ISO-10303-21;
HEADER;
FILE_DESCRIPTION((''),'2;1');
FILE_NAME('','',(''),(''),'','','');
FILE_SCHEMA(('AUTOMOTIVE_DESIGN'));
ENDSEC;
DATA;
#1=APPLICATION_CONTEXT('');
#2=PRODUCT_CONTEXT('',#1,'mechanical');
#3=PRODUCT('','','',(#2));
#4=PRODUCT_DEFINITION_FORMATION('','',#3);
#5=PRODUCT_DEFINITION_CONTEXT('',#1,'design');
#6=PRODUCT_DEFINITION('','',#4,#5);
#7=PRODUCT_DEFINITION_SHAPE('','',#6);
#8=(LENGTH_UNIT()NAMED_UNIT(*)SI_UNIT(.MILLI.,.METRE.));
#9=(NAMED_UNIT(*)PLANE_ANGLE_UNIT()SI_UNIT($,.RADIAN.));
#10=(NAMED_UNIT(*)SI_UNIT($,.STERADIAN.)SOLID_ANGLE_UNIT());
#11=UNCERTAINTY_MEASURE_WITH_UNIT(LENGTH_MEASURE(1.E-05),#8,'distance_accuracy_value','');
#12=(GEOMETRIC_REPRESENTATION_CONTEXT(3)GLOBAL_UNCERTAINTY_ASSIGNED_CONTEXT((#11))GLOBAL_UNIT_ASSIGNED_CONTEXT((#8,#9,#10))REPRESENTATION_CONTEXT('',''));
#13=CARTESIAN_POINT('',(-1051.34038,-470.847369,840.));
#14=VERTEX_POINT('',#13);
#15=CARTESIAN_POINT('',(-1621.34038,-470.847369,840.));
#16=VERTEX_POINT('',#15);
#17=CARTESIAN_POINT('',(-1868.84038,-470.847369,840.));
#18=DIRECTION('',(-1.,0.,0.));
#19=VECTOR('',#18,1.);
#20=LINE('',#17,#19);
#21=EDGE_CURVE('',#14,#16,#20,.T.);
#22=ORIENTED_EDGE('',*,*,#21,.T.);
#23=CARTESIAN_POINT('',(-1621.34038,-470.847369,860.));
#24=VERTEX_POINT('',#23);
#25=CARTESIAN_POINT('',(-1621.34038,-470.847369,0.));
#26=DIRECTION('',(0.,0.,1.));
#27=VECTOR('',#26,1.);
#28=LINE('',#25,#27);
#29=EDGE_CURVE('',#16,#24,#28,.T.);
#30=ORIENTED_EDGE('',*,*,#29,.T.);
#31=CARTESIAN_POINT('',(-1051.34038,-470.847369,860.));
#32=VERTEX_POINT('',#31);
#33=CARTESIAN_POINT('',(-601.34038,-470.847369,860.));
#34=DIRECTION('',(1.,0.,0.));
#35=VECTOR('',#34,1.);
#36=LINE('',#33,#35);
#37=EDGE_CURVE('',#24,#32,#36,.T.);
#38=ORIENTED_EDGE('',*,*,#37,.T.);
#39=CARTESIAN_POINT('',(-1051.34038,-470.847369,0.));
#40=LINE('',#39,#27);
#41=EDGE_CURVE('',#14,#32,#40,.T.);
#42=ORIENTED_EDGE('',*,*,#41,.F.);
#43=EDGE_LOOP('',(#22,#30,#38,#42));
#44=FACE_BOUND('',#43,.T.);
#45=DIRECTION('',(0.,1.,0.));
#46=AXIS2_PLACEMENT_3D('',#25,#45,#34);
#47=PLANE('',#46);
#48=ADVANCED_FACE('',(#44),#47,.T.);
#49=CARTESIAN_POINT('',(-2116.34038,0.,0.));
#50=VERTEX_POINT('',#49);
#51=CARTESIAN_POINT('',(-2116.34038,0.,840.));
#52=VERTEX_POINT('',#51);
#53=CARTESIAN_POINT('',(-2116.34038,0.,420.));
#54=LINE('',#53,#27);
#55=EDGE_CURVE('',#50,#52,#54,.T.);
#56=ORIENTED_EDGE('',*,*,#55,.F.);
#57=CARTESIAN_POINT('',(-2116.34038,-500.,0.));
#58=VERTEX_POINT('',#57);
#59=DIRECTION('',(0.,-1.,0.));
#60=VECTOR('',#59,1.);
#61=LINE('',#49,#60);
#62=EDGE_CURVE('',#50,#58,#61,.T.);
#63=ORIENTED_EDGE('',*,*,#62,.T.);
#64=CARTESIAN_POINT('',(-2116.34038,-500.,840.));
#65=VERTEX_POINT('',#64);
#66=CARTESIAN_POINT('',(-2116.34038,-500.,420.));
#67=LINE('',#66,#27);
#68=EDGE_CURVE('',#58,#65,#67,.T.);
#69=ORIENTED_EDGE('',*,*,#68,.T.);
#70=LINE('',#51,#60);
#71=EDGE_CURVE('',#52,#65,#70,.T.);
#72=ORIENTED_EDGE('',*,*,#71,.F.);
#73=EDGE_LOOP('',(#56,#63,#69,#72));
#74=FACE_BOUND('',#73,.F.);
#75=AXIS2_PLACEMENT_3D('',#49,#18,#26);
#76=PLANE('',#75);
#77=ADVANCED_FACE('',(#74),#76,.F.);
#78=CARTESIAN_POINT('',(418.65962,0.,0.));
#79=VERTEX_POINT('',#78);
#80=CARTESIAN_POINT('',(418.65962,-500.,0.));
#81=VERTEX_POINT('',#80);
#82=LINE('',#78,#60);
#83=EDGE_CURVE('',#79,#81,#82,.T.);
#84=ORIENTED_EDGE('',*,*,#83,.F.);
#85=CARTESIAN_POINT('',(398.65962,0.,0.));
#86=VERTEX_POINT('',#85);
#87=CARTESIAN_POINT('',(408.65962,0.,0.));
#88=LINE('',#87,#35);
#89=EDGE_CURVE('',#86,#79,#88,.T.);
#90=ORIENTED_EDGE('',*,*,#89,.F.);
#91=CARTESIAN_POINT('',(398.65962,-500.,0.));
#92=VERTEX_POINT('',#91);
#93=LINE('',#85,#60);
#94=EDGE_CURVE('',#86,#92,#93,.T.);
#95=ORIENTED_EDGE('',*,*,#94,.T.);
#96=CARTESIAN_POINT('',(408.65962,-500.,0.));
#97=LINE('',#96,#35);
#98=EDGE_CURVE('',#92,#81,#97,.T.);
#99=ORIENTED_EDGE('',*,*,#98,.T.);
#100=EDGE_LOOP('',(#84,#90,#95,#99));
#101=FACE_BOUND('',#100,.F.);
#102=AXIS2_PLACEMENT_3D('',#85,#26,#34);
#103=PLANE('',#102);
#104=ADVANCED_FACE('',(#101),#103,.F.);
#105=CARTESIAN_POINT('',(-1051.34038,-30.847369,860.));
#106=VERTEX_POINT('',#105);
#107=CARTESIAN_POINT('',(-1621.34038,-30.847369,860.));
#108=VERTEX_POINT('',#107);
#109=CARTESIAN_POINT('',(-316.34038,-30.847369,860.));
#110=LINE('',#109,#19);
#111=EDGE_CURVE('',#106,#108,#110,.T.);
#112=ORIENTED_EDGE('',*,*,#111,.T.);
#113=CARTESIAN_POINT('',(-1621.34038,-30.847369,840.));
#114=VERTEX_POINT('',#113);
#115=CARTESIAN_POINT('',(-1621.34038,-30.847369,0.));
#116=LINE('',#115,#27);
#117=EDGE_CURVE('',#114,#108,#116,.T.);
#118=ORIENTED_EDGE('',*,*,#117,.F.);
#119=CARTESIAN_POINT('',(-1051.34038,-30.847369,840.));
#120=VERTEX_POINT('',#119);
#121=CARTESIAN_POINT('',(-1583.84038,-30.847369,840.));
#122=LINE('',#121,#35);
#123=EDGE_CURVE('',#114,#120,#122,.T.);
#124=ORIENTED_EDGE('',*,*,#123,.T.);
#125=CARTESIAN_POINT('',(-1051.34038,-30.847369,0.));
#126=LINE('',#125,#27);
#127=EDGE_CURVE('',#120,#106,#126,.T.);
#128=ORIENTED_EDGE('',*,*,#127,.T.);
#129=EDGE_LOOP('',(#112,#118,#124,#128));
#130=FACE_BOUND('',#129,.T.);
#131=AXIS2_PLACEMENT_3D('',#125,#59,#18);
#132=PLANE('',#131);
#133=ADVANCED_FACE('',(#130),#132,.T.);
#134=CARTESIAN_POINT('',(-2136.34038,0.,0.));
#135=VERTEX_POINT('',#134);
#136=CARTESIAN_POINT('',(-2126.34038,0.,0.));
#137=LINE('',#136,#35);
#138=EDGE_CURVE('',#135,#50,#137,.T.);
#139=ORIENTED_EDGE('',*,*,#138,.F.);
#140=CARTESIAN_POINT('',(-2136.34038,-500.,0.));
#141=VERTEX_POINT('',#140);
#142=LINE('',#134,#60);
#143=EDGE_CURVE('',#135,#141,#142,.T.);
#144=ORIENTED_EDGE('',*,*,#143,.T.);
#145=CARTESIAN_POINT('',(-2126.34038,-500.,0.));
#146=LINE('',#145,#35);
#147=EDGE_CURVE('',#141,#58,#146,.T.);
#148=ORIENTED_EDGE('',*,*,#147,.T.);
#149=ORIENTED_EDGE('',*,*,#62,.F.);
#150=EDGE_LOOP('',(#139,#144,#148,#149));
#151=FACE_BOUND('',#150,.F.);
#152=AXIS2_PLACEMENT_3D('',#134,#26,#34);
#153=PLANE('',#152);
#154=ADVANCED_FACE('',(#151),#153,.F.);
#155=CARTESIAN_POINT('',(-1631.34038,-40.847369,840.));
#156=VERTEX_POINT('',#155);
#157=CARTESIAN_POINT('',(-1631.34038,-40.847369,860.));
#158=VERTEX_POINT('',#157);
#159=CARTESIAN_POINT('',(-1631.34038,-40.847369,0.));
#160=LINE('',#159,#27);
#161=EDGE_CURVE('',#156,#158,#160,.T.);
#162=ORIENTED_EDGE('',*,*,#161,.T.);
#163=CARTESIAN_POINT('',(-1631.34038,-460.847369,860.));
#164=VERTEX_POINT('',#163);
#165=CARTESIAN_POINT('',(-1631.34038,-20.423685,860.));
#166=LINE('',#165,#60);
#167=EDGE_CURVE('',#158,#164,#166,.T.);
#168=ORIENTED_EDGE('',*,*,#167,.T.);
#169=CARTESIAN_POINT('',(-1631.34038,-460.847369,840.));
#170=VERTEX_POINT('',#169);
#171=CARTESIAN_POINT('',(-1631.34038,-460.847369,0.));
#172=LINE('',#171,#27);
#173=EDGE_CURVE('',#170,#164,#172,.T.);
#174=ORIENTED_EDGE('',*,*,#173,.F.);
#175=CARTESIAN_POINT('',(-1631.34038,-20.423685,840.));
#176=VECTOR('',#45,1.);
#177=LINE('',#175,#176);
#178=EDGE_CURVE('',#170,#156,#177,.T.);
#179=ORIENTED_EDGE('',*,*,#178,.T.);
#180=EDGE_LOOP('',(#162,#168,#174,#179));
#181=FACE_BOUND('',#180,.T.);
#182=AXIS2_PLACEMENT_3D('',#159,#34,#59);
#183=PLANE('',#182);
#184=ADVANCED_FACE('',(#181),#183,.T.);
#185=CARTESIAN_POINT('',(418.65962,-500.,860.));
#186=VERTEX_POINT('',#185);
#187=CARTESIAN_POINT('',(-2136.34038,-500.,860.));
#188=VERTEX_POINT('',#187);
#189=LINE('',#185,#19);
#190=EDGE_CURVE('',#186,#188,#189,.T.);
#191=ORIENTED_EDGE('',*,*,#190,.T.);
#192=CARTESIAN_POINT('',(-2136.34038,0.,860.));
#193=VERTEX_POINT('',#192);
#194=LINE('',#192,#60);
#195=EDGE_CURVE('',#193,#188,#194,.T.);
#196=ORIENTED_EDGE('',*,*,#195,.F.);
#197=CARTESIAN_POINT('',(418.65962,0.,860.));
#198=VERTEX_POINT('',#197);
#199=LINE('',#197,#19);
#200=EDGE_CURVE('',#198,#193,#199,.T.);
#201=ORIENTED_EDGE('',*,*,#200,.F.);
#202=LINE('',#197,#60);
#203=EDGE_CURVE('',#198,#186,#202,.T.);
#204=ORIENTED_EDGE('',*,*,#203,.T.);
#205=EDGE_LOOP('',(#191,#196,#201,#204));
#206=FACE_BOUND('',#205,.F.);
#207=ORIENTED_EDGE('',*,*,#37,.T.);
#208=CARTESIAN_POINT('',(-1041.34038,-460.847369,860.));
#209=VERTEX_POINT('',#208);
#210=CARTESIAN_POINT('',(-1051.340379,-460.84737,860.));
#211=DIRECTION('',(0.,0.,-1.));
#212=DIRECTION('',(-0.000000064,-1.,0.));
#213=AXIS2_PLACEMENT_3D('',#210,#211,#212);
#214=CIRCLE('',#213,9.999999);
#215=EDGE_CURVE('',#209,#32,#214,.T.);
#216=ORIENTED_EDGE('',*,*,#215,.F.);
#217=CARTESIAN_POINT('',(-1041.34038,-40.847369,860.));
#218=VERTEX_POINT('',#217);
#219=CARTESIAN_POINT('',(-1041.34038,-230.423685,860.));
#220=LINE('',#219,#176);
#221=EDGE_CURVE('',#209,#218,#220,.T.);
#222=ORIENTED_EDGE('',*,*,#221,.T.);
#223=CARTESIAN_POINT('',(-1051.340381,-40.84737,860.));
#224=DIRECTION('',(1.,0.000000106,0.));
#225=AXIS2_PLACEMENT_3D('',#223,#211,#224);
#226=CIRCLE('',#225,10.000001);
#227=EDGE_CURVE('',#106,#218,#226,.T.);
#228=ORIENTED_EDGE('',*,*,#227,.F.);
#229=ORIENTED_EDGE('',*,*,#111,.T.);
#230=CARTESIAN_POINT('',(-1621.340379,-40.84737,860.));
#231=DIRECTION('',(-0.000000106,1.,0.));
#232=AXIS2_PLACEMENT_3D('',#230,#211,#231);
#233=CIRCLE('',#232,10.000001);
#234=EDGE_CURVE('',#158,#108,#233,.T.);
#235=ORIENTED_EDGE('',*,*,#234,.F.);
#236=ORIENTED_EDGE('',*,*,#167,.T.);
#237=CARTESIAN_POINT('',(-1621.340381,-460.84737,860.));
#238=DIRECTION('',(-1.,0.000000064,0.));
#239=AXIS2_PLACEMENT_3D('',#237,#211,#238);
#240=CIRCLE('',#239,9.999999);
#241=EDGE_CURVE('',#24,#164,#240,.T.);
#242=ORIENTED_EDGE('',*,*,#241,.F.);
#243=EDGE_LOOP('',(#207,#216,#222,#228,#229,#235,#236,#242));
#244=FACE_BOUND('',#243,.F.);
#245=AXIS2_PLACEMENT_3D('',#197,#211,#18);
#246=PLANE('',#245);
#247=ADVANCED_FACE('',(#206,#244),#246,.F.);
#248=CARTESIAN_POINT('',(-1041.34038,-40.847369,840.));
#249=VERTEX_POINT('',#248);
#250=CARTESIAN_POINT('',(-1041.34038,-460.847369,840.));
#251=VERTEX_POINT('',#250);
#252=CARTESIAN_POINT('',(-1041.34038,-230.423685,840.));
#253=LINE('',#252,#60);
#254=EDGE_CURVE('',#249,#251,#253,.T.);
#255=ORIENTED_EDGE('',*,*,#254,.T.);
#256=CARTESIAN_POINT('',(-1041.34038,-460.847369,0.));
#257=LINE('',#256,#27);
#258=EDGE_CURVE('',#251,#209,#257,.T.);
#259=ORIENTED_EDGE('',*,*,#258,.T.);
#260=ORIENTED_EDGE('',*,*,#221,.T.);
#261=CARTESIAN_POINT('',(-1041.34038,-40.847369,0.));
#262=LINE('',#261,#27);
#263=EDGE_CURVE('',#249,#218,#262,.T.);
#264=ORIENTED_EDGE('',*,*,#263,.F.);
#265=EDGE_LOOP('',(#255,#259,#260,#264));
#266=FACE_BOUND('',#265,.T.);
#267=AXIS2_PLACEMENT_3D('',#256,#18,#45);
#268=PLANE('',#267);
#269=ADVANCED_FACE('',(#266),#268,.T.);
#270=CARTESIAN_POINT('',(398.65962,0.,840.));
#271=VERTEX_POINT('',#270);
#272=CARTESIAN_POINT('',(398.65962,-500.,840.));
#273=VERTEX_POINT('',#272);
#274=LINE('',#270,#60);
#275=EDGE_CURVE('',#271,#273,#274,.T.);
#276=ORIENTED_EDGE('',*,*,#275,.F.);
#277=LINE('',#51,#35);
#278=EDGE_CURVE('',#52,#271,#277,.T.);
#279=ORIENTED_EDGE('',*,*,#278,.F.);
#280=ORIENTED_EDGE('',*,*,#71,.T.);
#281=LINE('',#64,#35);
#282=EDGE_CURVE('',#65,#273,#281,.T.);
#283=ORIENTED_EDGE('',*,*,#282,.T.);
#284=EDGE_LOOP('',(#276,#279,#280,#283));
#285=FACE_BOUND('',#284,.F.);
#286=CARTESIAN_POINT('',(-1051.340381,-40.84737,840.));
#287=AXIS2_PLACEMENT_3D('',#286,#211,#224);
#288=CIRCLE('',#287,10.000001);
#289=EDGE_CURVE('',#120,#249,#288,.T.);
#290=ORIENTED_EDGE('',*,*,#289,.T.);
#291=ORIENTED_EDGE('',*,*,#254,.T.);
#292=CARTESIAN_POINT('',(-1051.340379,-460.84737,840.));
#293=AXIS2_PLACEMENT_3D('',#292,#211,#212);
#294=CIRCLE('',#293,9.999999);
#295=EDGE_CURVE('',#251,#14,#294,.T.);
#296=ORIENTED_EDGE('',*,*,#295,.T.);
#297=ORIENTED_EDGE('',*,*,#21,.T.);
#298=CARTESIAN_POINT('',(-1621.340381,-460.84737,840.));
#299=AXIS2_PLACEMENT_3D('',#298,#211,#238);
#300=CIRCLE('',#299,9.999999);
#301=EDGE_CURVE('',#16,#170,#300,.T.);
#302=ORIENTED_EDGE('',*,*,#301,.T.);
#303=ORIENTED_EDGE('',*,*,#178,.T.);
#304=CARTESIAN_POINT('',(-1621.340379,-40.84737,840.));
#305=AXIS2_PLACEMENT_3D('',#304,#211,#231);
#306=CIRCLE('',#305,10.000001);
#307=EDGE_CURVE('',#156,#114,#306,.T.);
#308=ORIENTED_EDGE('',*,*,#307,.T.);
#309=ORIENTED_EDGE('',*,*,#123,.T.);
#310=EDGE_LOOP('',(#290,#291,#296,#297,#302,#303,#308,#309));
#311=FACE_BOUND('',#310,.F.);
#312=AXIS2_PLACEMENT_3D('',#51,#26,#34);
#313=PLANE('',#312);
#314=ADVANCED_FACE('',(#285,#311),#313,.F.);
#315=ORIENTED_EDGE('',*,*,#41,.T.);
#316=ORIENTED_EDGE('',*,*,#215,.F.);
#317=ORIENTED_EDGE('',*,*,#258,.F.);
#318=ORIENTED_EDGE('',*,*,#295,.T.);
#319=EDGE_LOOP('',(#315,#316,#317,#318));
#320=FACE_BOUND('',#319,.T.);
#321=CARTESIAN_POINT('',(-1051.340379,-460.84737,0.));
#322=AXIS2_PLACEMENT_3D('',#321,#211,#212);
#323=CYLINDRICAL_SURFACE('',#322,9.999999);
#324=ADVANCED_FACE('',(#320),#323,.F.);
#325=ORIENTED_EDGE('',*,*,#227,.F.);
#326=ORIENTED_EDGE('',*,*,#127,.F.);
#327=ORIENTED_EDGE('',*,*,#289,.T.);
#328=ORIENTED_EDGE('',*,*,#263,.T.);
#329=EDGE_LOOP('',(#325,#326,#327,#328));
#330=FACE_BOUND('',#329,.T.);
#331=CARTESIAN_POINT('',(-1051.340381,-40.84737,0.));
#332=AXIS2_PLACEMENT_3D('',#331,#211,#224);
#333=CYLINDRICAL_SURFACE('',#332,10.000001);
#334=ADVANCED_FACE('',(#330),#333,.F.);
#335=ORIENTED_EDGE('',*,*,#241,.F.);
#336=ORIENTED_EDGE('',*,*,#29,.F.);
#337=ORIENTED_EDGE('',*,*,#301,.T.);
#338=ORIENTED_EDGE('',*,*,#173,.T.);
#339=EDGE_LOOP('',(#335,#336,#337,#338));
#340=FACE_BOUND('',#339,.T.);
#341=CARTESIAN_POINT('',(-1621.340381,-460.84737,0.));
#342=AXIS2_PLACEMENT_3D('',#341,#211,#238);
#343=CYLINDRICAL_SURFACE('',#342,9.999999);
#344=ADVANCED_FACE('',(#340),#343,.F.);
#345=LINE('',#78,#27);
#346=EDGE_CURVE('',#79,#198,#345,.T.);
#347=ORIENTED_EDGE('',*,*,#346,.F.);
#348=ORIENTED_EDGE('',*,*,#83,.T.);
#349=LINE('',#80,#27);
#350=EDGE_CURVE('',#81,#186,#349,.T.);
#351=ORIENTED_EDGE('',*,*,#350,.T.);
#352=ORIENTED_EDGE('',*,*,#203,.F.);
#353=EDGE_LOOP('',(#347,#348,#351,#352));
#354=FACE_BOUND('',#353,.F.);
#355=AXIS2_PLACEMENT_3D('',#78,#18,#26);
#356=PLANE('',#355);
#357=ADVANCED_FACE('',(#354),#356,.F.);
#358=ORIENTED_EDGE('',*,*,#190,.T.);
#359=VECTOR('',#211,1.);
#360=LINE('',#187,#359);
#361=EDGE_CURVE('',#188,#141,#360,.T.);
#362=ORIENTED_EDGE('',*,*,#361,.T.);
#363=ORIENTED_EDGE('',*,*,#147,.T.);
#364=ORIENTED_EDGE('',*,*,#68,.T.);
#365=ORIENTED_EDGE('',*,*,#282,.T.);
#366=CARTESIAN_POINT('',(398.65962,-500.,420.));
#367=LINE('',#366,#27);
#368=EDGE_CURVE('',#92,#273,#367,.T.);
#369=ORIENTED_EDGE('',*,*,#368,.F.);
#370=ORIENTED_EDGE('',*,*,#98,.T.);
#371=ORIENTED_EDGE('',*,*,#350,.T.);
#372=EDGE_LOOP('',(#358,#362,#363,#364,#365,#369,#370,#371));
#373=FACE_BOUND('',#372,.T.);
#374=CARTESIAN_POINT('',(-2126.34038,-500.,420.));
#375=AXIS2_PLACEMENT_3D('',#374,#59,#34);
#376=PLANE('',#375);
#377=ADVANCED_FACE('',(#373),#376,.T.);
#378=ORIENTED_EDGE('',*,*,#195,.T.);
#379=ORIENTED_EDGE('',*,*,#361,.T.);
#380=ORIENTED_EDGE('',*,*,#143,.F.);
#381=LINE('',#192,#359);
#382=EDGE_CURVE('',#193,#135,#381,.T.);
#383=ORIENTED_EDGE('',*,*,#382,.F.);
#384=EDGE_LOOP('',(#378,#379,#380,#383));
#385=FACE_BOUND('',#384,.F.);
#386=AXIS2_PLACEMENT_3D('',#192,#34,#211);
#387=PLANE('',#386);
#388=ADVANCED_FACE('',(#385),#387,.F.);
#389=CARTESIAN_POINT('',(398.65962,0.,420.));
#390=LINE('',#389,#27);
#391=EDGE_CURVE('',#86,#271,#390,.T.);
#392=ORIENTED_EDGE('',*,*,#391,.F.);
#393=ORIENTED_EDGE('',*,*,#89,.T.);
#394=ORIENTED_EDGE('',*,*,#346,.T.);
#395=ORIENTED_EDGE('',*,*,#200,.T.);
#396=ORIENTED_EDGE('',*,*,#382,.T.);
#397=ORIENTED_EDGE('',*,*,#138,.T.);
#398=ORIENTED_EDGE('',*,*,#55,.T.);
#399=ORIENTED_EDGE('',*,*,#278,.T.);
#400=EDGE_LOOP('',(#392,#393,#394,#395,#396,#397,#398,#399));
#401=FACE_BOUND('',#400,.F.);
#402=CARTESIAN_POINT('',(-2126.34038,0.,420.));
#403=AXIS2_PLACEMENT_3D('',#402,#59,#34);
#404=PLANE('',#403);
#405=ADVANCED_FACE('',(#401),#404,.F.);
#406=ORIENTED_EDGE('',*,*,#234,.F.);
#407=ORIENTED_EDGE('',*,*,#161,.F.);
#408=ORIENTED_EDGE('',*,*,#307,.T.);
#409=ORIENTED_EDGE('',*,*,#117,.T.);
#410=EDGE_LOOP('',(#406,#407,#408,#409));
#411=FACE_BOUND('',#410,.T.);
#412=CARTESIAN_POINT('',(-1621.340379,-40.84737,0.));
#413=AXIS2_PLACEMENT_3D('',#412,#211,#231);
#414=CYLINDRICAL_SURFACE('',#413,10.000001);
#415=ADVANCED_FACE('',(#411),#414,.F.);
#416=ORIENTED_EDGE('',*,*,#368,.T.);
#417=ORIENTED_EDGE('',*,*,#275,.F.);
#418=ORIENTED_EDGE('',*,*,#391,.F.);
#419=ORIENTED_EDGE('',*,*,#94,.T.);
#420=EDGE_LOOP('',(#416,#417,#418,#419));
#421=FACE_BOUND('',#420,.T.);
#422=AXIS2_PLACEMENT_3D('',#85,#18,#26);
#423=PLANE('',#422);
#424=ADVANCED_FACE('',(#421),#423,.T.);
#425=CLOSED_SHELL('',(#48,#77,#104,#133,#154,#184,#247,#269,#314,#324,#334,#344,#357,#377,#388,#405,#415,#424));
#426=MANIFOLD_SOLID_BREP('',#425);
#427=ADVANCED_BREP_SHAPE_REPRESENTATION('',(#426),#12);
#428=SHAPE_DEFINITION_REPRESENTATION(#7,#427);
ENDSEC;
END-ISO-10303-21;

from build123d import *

# Parameters (mm, degrees)
F0_W     = 20
F0_H     = 840
F1_DEPTH = 500
F3_DEPTH = 1397


with BuildPart() as f1:
    # F0 (on Front) → F1 (new body)
    with BuildSketch(Plane.XZ):
        with Locations((-2126.34038, 420)):
            Rectangle(F0_W, F0_H)
        Polygon((-2136.34038, 860), (-2136.34038, 840), (-2116.34038, 840), (398.65962, 840), (418.65962, 840), (418.65962, 860), align=None)
        with Locations((408.65962, 420)):
            Rectangle(F0_W, F0_H)
    extrude(amount=F1_DEPTH)

    # F2 (on Top) → F3 (cut)
    with BuildSketch(Plane.XY):
        with BuildLine():
            Line((-1621.34038, -470.847369), (-1051.34038, -470.847369))
            ThreePointArc((-1051.34038, -470.847369), (-1044.269312, -467.918437), (-1041.34038, -460.847369))
            Line((-1041.34038, -460.847369), (-1041.34038, -40.847369))
            ThreePointArc((-1041.34038, -40.847369), (-1044.269312, -33.776302), (-1051.34038, -30.847369))
            Line((-1051.34038, -30.847369), (-1621.34038, -30.847369))
            ThreePointArc((-1621.34038, -30.847369), (-1628.411448, -33.776302), (-1631.34038, -40.847369))
            Line((-1631.34038, -40.847369), (-1631.34038, -460.847369))
            ThreePointArc((-1631.34038, -460.847369), (-1628.411448, -467.918437), (-1621.34038, -470.847369))
        make_face()
    extrude(amount=F3_DEPTH, mode=Mode.SUBTRACT)


solid = f1.part
